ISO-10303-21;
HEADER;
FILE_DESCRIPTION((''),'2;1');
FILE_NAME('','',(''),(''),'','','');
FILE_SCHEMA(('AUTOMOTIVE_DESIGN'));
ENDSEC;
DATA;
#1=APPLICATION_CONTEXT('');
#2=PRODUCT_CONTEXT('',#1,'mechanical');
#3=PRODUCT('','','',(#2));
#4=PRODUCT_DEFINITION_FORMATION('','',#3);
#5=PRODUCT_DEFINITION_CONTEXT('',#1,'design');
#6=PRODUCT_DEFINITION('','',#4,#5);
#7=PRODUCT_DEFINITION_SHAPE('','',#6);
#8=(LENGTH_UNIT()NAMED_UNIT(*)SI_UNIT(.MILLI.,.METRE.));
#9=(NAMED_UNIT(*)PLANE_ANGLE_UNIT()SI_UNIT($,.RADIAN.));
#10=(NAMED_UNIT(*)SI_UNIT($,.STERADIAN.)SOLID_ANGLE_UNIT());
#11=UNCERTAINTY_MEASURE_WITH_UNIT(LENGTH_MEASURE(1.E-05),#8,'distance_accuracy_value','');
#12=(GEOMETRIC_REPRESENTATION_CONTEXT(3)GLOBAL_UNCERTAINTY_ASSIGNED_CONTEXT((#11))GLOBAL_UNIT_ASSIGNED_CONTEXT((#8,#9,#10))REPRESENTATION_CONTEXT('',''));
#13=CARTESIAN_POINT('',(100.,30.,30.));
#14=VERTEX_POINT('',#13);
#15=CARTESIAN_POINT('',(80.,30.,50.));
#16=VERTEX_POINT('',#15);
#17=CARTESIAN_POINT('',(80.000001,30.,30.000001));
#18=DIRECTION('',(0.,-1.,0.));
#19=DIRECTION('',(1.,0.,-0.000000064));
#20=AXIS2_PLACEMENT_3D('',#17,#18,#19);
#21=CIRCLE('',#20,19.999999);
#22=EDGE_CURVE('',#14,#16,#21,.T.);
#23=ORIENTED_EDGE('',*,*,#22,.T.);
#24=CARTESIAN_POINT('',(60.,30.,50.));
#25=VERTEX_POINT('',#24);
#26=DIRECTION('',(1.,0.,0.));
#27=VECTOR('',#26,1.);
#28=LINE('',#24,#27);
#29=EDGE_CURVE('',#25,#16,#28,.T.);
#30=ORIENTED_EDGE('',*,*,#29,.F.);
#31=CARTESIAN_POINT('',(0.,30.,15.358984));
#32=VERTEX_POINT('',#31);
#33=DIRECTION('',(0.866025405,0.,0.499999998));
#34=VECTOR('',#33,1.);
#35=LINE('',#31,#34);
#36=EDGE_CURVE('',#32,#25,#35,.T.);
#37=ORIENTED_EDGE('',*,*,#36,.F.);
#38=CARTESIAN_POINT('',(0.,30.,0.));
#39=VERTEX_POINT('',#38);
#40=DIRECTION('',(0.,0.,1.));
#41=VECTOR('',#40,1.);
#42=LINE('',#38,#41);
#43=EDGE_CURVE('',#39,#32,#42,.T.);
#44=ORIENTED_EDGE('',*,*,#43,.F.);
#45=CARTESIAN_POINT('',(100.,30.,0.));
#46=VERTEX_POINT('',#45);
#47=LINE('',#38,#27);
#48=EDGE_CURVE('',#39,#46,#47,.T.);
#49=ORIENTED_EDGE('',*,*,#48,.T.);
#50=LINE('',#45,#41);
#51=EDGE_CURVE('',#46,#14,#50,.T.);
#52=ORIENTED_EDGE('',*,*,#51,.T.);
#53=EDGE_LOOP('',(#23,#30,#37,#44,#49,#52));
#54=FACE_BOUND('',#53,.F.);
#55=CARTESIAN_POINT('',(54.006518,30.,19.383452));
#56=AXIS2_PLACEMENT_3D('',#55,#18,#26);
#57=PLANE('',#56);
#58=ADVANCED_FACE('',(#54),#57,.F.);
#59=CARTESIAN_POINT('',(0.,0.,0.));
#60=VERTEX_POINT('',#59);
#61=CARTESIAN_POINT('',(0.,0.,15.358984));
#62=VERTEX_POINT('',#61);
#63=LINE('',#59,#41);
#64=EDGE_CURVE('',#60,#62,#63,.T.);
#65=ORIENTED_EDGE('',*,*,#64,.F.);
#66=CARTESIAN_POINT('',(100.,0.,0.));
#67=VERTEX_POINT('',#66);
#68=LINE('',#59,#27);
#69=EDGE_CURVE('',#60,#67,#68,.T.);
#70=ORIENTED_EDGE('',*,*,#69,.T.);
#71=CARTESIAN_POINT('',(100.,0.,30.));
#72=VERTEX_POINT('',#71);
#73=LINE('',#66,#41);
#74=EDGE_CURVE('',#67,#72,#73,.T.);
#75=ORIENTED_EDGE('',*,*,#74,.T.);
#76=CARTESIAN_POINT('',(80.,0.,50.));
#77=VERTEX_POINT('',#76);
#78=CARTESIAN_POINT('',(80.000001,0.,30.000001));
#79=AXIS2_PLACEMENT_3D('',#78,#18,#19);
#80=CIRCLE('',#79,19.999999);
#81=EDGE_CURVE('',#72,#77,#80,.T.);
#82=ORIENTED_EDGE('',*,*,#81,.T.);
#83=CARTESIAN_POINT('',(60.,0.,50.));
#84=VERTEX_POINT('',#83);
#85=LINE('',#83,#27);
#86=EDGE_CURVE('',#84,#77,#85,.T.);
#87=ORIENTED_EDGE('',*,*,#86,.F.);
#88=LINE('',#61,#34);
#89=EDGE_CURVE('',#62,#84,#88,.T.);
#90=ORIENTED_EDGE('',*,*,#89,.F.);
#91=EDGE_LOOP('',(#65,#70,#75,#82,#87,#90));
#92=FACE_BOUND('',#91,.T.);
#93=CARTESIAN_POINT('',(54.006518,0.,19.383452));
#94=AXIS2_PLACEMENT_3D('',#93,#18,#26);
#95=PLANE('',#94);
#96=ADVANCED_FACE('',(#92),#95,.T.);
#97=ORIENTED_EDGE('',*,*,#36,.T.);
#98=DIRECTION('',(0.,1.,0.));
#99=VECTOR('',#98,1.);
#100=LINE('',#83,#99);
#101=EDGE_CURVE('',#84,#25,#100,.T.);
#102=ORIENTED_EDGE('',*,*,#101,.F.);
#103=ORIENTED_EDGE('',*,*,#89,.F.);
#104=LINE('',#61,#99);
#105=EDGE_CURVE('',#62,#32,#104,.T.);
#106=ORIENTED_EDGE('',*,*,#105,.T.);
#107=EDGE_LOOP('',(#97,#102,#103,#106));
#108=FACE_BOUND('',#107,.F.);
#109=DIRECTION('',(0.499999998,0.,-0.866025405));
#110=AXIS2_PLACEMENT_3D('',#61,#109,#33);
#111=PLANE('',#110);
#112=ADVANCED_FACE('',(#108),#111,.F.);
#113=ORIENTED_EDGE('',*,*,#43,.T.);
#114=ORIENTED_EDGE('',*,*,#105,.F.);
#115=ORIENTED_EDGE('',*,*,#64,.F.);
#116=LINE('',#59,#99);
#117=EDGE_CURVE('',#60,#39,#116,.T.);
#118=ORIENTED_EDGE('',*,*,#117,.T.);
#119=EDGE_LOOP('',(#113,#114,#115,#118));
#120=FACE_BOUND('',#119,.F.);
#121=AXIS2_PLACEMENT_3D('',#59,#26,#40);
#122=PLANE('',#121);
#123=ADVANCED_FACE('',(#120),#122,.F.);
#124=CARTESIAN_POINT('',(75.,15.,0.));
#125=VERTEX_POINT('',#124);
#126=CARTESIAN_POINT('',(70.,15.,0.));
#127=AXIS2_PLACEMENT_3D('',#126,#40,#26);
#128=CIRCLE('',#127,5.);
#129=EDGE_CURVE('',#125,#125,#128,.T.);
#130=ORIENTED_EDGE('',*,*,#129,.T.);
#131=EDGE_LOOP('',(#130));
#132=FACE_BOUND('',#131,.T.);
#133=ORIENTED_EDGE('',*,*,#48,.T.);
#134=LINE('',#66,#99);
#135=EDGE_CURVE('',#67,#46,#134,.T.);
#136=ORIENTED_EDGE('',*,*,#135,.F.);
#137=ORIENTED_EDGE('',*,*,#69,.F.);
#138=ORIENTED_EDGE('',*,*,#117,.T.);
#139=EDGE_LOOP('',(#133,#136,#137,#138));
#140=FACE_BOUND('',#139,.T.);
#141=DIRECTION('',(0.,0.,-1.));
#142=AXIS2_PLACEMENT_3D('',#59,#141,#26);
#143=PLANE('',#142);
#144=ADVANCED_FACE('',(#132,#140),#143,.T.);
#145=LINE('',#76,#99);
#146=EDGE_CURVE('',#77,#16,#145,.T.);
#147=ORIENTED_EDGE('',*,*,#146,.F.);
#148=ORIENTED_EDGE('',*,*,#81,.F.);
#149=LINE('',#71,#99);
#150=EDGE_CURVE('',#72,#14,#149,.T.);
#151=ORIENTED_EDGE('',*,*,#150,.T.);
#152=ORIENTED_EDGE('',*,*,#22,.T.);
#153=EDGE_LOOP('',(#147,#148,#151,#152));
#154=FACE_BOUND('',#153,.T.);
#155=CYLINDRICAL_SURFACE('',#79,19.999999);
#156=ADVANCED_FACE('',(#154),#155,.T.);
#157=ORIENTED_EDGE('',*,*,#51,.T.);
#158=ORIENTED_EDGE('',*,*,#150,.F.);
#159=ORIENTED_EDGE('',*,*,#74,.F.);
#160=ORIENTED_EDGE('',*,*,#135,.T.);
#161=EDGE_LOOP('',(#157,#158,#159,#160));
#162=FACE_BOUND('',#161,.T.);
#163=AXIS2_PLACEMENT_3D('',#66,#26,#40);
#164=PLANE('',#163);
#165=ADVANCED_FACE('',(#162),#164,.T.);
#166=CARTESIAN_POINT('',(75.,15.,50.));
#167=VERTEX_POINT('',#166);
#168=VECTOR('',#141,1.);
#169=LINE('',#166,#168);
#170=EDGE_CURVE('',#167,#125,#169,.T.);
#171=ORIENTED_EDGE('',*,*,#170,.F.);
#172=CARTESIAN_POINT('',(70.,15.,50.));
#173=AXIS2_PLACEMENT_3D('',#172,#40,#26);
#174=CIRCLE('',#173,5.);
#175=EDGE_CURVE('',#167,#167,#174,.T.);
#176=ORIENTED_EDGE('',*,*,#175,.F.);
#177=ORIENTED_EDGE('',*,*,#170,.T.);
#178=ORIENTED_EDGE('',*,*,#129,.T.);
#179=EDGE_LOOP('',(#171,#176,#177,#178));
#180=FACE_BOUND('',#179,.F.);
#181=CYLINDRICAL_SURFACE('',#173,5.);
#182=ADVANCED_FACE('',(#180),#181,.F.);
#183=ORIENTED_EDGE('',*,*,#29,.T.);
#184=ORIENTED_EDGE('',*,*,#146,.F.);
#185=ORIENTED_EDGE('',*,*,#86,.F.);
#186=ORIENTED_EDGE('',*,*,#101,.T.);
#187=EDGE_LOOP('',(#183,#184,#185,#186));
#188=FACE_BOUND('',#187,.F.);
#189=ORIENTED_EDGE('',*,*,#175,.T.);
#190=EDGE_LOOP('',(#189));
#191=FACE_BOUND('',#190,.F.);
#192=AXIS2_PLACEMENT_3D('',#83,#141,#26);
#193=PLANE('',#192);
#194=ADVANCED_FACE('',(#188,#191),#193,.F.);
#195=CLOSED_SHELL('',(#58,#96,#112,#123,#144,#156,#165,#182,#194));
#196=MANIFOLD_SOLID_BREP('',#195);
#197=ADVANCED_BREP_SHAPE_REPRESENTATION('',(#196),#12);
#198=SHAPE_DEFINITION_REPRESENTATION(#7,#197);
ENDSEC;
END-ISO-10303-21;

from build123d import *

# Parameters (mm, degrees)
PAD_DEPTH    = 30
SKETCH001_R  = 5
POCKET_DEPTH = 50.001


with BuildPart() as part:
    # Sketch → Pad (new body)
    with BuildSketch(Plane.XZ):
        with BuildLine():
            Line((0, 0), (100, 0))
            Line((100, 0), (100, 30))
            ThreePointArc((100, 30), (94.142136, 44.142136), (80, 50))
            Line((60, 50), (80, 50))
            Line((0, 15.358984), (60, 50))
            Line((0, 0), (0, 15.358984))
        make_face()
    extrude(amount=-PAD_DEPTH)

    # Sketch001 (on DatumPlane) → Pocket (cut, through all)
    with BuildSketch(Plane(origin=(70, 15, 50), x_dir=(1, 0, 0), z_dir=(0, 0, 1))):
        Circle(SKETCH001_R)
    extrude(amount=-POCKET_DEPTH, mode=Mode.SUBTRACT)


solid = part.part
